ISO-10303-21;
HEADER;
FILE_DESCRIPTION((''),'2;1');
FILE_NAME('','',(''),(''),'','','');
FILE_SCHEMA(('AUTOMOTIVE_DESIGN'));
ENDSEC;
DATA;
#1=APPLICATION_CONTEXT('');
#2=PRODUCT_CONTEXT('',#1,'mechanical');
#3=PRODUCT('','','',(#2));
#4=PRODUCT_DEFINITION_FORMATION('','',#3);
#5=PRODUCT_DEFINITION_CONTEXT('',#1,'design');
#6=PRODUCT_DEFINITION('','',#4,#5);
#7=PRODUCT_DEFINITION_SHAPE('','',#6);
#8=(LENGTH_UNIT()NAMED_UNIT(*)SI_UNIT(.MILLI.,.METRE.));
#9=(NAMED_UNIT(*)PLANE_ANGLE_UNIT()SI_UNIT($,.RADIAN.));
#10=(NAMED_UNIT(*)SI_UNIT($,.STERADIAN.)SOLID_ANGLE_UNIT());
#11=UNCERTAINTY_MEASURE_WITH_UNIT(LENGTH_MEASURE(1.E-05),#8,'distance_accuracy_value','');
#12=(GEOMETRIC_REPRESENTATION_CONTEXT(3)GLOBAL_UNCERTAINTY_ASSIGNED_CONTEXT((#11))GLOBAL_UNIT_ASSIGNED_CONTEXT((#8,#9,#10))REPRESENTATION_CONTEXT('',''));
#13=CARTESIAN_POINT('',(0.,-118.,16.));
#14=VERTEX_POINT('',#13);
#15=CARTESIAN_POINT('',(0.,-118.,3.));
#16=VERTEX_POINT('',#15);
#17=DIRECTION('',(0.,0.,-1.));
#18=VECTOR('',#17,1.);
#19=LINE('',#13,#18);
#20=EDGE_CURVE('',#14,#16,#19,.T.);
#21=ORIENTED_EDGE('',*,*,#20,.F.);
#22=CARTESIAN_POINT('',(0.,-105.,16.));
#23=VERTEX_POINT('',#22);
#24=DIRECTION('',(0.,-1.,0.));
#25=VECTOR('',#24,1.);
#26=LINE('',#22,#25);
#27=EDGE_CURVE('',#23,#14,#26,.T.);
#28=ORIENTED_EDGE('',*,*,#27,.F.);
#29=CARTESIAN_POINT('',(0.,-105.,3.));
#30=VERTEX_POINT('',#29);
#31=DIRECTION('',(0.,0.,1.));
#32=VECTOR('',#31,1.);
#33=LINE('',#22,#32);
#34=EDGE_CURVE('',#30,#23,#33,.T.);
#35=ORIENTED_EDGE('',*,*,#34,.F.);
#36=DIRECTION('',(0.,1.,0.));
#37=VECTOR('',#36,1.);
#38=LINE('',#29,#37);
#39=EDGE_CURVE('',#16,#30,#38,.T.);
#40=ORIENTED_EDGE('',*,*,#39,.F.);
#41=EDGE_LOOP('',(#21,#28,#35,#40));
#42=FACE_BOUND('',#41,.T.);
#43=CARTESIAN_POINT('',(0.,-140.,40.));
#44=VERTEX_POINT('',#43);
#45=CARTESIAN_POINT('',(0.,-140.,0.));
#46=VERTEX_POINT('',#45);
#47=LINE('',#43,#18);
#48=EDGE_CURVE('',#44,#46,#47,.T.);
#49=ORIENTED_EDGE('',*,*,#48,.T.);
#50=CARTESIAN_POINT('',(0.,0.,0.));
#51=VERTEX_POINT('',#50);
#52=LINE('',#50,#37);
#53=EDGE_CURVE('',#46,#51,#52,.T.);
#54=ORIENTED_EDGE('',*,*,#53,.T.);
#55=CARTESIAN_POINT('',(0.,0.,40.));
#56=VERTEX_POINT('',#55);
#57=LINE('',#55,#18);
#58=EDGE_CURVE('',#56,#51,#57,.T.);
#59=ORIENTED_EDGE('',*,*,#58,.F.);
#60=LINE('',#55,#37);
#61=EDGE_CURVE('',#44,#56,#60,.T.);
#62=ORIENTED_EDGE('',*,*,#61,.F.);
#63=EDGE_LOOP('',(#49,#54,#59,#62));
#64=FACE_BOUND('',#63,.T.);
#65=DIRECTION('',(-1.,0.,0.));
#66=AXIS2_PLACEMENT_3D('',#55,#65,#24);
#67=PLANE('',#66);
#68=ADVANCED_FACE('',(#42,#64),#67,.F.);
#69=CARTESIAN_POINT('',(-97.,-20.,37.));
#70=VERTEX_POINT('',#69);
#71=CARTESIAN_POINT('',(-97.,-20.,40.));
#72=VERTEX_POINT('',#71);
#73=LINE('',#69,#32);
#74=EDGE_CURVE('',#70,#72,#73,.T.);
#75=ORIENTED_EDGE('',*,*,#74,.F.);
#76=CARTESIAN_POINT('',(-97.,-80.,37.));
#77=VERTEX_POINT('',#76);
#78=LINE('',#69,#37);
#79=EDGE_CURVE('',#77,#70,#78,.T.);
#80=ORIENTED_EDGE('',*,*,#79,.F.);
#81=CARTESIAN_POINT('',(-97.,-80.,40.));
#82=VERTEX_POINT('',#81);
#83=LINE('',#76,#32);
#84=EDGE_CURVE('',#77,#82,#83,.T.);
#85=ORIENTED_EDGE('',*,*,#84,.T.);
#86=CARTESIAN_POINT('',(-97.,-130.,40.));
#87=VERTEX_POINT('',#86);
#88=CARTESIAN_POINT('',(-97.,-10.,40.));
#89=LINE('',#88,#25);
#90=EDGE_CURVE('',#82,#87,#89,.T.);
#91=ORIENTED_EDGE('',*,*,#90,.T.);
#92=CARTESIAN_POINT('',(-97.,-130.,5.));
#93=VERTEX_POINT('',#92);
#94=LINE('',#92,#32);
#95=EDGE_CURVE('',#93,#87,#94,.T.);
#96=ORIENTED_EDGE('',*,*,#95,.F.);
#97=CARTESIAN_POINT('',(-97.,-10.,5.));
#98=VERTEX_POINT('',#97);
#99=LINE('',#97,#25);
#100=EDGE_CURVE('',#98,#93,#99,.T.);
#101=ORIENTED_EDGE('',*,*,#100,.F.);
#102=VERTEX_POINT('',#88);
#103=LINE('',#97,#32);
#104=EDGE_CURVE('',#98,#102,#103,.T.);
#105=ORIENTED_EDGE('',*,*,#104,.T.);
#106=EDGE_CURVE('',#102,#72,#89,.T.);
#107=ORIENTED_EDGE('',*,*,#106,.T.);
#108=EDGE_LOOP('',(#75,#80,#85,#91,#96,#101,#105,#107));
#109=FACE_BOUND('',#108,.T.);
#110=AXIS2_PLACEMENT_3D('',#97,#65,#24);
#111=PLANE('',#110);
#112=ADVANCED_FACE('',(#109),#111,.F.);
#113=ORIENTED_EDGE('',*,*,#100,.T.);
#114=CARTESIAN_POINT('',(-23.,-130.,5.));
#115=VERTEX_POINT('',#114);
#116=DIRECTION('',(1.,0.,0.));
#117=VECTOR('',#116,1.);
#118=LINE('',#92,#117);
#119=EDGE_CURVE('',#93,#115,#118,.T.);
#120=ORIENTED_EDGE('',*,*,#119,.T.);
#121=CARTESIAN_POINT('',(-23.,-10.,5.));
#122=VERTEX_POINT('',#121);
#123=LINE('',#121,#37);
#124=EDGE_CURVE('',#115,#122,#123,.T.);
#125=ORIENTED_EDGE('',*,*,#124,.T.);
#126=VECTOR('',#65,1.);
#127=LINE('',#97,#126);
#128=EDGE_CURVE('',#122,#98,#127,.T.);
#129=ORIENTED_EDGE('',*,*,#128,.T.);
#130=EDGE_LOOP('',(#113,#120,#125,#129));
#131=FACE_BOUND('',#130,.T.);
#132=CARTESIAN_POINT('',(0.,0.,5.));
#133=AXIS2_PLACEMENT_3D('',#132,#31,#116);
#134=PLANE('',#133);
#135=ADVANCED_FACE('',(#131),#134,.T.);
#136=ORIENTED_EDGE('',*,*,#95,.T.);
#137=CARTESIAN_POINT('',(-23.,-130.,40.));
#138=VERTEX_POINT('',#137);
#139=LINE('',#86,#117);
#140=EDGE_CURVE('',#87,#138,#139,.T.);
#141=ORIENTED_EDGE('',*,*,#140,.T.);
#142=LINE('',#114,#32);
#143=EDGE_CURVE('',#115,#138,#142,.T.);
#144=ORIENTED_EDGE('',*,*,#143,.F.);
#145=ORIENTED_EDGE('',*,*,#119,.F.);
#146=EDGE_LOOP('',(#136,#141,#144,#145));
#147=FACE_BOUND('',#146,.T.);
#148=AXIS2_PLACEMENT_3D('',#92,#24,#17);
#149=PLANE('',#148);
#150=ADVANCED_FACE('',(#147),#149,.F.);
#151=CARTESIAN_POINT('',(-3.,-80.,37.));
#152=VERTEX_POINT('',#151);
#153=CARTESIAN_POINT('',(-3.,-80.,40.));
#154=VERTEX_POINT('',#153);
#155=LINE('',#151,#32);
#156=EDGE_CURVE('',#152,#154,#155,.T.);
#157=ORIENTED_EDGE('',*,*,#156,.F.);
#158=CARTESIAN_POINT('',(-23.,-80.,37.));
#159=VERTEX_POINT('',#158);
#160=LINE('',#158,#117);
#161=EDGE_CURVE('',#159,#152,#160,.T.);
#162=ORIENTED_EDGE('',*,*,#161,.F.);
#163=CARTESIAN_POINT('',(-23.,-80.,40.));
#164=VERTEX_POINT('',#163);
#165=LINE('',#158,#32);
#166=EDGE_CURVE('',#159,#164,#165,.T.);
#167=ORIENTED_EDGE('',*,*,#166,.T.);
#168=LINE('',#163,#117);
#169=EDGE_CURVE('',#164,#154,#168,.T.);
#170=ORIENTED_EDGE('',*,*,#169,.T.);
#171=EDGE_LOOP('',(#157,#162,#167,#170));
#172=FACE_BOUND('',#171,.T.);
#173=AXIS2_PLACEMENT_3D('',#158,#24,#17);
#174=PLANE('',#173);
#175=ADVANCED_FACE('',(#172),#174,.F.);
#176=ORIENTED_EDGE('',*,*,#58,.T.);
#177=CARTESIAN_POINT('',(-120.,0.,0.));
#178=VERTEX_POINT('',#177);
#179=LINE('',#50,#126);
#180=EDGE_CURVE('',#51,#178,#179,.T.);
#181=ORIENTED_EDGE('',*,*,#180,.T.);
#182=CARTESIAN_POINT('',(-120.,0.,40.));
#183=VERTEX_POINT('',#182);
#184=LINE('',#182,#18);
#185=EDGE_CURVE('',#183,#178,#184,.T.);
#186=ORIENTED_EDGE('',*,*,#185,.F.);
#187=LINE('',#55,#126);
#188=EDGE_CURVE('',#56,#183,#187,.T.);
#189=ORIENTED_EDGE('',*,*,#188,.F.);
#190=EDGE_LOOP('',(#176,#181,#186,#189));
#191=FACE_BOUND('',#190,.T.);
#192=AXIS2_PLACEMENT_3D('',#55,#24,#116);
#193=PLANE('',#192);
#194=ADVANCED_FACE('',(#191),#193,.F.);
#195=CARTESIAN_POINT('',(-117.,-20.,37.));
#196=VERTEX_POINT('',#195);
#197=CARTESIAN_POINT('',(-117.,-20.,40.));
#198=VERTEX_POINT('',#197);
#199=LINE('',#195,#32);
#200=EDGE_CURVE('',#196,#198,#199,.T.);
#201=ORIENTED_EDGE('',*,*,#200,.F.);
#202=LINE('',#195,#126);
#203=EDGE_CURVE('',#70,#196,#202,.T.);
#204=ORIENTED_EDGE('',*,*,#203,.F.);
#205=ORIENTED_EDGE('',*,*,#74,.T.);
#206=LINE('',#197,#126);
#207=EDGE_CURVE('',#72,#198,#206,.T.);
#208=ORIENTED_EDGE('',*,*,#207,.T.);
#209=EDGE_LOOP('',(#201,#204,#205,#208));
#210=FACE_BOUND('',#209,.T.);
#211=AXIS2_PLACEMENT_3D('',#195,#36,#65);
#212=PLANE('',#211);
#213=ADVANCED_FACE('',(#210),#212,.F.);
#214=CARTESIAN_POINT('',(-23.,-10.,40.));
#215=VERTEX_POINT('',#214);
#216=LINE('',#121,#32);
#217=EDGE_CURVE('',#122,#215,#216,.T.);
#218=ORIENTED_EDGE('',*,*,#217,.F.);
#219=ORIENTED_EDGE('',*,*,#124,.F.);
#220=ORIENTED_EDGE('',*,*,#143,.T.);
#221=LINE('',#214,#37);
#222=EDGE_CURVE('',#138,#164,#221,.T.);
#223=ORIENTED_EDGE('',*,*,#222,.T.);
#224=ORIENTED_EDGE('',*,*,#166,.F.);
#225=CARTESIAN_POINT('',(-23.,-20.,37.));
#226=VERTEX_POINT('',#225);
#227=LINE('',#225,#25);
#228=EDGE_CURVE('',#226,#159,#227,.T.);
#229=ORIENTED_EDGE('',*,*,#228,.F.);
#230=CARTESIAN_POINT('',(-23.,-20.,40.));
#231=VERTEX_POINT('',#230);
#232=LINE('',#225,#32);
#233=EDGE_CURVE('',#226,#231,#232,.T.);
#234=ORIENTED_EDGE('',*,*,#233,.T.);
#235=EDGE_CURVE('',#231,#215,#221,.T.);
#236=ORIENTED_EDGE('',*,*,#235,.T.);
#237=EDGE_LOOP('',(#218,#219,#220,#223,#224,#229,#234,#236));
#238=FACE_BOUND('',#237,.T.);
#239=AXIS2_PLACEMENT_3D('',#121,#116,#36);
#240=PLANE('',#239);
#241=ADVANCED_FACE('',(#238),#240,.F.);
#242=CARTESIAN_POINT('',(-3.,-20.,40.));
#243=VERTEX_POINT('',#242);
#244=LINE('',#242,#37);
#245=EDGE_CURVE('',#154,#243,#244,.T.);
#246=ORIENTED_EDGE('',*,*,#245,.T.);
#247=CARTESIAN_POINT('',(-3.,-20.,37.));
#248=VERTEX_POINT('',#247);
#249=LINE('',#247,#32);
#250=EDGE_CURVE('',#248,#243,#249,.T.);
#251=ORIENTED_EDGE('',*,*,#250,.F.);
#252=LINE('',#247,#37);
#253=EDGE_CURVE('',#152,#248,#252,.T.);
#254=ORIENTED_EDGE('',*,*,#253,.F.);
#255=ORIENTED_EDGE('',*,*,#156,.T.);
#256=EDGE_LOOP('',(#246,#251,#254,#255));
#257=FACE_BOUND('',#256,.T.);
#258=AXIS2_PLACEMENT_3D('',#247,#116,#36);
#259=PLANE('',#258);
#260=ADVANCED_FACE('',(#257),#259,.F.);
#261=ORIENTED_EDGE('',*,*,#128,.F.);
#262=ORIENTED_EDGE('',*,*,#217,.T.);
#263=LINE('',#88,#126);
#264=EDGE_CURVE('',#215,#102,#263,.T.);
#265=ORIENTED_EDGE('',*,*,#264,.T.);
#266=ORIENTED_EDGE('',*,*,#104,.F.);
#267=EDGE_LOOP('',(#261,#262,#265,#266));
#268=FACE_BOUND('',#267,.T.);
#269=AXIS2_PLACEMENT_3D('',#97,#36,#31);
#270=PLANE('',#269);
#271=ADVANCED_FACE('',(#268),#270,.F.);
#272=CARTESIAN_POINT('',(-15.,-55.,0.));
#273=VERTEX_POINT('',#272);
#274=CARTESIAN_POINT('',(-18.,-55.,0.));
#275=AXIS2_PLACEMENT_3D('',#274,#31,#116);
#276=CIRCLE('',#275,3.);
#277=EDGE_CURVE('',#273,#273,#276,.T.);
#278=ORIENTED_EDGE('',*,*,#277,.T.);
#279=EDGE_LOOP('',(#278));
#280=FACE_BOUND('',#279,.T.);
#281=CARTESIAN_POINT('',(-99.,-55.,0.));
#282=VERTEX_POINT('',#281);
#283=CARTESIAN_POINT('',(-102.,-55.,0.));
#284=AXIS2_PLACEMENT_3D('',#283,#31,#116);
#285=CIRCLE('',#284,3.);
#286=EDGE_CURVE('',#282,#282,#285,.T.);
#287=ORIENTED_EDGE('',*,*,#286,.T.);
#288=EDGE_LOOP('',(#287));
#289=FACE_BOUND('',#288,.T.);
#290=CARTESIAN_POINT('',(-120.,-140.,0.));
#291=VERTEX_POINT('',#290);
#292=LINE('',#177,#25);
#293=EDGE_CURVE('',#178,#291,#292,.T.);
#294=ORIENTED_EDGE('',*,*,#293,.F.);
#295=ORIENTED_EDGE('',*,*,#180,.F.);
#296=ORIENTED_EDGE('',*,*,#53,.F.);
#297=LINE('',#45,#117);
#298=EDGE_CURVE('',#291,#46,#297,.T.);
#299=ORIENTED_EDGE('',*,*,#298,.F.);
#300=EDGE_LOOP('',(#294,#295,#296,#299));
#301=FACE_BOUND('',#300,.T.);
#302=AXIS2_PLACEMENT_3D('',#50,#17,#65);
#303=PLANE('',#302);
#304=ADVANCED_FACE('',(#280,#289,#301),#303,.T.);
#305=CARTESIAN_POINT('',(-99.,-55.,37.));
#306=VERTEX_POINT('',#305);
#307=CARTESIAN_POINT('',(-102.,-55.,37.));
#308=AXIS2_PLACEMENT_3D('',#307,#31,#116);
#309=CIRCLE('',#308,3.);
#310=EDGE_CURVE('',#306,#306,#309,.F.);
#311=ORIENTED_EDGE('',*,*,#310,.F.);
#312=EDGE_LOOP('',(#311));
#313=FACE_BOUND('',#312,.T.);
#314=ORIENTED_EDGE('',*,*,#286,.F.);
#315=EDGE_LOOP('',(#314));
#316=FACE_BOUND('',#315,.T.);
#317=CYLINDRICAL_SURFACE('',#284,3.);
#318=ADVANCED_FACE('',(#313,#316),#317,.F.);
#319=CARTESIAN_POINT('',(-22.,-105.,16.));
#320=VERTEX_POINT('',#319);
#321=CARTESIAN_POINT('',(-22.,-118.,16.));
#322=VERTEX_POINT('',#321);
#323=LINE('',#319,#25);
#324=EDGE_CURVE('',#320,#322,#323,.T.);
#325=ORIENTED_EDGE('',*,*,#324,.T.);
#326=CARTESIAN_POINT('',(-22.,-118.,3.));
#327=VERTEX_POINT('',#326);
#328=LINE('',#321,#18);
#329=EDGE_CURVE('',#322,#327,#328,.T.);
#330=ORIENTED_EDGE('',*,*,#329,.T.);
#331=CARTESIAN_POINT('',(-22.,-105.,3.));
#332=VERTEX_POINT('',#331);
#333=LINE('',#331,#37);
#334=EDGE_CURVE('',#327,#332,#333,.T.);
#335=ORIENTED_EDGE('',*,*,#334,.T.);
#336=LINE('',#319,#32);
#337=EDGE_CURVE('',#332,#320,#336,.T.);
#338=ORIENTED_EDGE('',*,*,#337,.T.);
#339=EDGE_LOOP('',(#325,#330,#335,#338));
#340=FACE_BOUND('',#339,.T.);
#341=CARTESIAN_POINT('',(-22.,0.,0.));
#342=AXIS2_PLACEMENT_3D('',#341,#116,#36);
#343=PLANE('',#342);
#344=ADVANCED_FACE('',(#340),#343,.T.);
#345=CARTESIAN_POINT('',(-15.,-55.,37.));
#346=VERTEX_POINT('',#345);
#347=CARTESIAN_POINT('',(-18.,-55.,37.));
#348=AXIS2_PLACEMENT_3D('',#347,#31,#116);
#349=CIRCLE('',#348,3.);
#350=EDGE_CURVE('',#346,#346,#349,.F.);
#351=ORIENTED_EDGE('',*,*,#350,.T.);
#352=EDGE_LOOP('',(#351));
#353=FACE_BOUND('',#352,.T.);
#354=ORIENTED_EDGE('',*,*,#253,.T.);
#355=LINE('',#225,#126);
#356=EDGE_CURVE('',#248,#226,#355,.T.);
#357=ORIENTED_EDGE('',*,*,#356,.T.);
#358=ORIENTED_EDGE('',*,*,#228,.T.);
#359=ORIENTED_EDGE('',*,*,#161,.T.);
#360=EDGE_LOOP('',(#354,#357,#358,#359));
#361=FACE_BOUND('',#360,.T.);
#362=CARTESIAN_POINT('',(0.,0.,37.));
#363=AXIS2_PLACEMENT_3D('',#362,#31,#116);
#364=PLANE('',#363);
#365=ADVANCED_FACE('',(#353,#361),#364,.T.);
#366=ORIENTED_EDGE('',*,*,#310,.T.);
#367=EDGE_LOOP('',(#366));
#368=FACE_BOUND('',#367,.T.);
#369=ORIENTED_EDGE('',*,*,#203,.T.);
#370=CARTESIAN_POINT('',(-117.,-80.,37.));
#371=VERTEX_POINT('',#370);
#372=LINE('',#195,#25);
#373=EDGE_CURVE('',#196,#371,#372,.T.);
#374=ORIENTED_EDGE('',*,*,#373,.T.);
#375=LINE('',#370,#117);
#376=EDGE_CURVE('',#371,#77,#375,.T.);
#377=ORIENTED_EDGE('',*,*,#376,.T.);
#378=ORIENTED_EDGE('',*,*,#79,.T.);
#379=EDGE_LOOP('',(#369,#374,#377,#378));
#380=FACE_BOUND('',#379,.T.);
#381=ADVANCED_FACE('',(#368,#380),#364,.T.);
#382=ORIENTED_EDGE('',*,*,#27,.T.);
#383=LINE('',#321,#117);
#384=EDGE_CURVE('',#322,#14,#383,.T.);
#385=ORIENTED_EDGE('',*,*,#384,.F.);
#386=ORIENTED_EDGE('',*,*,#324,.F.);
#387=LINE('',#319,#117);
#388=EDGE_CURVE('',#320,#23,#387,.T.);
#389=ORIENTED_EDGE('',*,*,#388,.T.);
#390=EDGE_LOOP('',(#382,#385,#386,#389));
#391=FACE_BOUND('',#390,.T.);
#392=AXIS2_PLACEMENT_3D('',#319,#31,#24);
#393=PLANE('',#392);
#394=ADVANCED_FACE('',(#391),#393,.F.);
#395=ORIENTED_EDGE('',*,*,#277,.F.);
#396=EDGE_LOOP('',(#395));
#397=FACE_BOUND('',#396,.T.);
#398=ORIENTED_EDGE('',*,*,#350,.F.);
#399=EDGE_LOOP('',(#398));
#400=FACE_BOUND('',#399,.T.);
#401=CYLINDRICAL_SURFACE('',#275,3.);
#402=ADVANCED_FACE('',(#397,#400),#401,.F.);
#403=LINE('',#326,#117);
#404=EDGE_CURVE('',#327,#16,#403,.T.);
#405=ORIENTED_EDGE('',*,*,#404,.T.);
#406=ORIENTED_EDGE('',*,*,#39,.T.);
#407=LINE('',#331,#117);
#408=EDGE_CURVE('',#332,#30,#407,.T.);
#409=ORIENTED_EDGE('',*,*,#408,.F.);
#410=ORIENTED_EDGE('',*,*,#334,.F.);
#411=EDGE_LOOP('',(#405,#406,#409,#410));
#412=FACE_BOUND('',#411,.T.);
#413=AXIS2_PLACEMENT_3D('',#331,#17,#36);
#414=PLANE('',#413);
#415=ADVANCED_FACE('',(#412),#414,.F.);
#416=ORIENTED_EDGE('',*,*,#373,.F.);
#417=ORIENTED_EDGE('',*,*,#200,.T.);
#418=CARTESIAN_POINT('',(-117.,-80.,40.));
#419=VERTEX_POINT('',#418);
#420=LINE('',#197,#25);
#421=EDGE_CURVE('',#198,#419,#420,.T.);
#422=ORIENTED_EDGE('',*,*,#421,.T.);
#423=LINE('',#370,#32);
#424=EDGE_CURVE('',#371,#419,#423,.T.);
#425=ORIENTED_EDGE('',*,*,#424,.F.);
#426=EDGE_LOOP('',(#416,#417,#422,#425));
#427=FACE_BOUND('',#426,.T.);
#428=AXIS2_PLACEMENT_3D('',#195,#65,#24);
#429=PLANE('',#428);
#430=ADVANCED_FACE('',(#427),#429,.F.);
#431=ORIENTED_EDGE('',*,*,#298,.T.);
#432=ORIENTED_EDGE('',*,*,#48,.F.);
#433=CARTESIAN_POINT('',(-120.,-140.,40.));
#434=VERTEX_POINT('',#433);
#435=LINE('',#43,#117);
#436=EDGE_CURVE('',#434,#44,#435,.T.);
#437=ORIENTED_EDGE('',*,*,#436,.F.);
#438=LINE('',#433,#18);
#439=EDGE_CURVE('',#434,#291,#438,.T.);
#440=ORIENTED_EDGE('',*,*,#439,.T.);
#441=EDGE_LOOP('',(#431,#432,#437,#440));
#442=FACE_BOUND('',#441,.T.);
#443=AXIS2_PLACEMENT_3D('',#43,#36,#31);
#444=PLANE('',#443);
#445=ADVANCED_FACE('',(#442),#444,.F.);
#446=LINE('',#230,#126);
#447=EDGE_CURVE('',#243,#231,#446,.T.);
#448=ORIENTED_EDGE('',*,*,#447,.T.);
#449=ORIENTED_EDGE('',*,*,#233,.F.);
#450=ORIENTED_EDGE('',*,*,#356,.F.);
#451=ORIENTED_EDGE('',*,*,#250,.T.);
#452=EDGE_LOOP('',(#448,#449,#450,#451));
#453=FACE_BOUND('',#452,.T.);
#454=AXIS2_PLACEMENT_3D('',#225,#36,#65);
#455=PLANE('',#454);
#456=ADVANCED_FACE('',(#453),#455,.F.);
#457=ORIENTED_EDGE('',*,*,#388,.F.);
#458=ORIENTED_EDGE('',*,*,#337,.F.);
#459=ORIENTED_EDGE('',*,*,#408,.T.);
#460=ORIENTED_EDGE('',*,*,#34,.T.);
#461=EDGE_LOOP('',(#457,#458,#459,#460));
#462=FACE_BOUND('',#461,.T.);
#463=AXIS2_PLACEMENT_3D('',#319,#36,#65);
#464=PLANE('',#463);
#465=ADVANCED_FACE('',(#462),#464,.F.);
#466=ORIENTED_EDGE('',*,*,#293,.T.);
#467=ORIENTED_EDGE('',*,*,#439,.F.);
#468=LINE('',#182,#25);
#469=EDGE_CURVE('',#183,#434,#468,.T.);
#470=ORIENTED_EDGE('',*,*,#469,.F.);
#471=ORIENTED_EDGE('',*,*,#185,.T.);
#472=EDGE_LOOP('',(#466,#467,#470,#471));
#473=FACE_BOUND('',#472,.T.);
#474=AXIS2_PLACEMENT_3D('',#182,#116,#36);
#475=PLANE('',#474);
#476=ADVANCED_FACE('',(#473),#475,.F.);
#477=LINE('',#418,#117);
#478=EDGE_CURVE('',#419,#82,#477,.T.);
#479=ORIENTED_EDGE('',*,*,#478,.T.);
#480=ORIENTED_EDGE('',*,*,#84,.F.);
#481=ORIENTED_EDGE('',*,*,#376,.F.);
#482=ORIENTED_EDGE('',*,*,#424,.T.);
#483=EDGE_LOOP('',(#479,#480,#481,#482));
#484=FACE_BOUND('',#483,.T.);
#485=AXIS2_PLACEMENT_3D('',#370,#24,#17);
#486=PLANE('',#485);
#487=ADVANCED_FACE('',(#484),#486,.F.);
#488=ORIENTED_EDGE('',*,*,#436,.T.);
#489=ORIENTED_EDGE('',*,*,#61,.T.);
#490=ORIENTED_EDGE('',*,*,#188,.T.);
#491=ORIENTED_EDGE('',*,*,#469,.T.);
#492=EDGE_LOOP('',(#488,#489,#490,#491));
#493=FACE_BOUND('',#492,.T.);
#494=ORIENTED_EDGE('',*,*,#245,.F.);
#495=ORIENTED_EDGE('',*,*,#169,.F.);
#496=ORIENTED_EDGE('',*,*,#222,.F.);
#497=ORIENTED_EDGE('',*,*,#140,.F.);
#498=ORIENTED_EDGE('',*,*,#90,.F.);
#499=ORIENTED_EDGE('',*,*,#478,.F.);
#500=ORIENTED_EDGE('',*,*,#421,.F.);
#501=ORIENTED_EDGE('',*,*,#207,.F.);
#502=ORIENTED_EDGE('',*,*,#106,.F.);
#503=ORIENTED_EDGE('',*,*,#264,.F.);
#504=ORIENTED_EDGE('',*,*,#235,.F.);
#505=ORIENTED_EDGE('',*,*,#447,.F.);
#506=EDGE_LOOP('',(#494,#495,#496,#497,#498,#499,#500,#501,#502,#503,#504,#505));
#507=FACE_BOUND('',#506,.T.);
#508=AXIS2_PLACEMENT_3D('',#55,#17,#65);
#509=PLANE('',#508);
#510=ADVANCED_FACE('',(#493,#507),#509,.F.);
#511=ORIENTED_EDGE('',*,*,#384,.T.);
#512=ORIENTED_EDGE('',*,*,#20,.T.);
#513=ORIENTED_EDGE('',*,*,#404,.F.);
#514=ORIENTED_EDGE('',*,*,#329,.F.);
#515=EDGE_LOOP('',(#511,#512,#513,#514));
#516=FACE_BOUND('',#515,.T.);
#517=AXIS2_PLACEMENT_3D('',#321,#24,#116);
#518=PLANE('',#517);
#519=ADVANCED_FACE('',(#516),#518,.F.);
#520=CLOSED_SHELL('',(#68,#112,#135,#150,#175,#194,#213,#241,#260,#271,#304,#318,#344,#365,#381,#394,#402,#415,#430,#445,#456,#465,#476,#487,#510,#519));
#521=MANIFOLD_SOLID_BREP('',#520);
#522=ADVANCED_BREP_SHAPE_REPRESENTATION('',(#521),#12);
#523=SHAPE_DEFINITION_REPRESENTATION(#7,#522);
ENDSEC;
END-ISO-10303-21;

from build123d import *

# Parameters (mm, degrees)
SKETCH2_W           = 120
SKETCH2_H           = 140
BOSS_EXTRUDE1_DEPTH = 40
SKETCH3_W           = 74
SKETCH3_H           = 120
CUT_EXTRUDE1_DEPTH  = 35
SKETCH4_R           = 3
CUT_EXTRUDE2_DEPTH  = 40
SKETCH5_W           = 13
SKETCH5_H           = 13
CUT_EXTRUDE3_DEPTH  = 22
SKETCH6_W           = 20
SKETCH6_H           = 60
CUT_EXTRUDE4_DEPTH  = 3


with BuildPart() as part:
    # Sketch2 → Boss-Extrude1 (new body)
    with BuildSketch(Plane.XY):
        with Locations((-60, -70)):
            Rectangle(SKETCH2_W, SKETCH2_H)
    extrude(amount=BOSS_EXTRUDE1_DEPTH)

    # Sketch3 → Cut-Extrude1 (cut)
    with BuildSketch(Plane.XY.offset(40)):
        with Locations((-60, -70)):
            Rectangle(SKETCH3_W, SKETCH3_H)
    extrude(amount=-CUT_EXTRUDE1_DEPTH, mode=Mode.SUBTRACT)

    # Sketch4 → Cut-Extrude2 (cut)
    with BuildSketch(Plane.XY.offset(40)):
        with Locations((-102, -55)):
            Circle(SKETCH4_R)
        with Locations((-18, -55)):
            Circle(SKETCH4_R)
    extrude(amount=-CUT_EXTRUDE2_DEPTH, mode=Mode.SUBTRACT)

    # Sketch5 → Cut-Extrude3 (cut)
    with BuildSketch(Plane(origin=(0, 0, 0), x_dir=(0, 0, -1), z_dir=(1, 0, 0))):
        with Locations((-9.5, -111.5)):
            Rectangle(SKETCH5_W, SKETCH5_H)
    extrude(amount=-CUT_EXTRUDE3_DEPTH, mode=Mode.SUBTRACT)

    # Sketch6 → Cut-Extrude4 (cut)
    with BuildSketch(Plane.XY.offset(40)):
        with Locations((-107, -50)):
            Rectangle(SKETCH6_W, SKETCH6_H)
        with Locations((-13, -50)):
            Rectangle(SKETCH6_W, SKETCH6_H)
    extrude(amount=-CUT_EXTRUDE4_DEPTH, mode=Mode.SUBTRACT)


solid = part.part
